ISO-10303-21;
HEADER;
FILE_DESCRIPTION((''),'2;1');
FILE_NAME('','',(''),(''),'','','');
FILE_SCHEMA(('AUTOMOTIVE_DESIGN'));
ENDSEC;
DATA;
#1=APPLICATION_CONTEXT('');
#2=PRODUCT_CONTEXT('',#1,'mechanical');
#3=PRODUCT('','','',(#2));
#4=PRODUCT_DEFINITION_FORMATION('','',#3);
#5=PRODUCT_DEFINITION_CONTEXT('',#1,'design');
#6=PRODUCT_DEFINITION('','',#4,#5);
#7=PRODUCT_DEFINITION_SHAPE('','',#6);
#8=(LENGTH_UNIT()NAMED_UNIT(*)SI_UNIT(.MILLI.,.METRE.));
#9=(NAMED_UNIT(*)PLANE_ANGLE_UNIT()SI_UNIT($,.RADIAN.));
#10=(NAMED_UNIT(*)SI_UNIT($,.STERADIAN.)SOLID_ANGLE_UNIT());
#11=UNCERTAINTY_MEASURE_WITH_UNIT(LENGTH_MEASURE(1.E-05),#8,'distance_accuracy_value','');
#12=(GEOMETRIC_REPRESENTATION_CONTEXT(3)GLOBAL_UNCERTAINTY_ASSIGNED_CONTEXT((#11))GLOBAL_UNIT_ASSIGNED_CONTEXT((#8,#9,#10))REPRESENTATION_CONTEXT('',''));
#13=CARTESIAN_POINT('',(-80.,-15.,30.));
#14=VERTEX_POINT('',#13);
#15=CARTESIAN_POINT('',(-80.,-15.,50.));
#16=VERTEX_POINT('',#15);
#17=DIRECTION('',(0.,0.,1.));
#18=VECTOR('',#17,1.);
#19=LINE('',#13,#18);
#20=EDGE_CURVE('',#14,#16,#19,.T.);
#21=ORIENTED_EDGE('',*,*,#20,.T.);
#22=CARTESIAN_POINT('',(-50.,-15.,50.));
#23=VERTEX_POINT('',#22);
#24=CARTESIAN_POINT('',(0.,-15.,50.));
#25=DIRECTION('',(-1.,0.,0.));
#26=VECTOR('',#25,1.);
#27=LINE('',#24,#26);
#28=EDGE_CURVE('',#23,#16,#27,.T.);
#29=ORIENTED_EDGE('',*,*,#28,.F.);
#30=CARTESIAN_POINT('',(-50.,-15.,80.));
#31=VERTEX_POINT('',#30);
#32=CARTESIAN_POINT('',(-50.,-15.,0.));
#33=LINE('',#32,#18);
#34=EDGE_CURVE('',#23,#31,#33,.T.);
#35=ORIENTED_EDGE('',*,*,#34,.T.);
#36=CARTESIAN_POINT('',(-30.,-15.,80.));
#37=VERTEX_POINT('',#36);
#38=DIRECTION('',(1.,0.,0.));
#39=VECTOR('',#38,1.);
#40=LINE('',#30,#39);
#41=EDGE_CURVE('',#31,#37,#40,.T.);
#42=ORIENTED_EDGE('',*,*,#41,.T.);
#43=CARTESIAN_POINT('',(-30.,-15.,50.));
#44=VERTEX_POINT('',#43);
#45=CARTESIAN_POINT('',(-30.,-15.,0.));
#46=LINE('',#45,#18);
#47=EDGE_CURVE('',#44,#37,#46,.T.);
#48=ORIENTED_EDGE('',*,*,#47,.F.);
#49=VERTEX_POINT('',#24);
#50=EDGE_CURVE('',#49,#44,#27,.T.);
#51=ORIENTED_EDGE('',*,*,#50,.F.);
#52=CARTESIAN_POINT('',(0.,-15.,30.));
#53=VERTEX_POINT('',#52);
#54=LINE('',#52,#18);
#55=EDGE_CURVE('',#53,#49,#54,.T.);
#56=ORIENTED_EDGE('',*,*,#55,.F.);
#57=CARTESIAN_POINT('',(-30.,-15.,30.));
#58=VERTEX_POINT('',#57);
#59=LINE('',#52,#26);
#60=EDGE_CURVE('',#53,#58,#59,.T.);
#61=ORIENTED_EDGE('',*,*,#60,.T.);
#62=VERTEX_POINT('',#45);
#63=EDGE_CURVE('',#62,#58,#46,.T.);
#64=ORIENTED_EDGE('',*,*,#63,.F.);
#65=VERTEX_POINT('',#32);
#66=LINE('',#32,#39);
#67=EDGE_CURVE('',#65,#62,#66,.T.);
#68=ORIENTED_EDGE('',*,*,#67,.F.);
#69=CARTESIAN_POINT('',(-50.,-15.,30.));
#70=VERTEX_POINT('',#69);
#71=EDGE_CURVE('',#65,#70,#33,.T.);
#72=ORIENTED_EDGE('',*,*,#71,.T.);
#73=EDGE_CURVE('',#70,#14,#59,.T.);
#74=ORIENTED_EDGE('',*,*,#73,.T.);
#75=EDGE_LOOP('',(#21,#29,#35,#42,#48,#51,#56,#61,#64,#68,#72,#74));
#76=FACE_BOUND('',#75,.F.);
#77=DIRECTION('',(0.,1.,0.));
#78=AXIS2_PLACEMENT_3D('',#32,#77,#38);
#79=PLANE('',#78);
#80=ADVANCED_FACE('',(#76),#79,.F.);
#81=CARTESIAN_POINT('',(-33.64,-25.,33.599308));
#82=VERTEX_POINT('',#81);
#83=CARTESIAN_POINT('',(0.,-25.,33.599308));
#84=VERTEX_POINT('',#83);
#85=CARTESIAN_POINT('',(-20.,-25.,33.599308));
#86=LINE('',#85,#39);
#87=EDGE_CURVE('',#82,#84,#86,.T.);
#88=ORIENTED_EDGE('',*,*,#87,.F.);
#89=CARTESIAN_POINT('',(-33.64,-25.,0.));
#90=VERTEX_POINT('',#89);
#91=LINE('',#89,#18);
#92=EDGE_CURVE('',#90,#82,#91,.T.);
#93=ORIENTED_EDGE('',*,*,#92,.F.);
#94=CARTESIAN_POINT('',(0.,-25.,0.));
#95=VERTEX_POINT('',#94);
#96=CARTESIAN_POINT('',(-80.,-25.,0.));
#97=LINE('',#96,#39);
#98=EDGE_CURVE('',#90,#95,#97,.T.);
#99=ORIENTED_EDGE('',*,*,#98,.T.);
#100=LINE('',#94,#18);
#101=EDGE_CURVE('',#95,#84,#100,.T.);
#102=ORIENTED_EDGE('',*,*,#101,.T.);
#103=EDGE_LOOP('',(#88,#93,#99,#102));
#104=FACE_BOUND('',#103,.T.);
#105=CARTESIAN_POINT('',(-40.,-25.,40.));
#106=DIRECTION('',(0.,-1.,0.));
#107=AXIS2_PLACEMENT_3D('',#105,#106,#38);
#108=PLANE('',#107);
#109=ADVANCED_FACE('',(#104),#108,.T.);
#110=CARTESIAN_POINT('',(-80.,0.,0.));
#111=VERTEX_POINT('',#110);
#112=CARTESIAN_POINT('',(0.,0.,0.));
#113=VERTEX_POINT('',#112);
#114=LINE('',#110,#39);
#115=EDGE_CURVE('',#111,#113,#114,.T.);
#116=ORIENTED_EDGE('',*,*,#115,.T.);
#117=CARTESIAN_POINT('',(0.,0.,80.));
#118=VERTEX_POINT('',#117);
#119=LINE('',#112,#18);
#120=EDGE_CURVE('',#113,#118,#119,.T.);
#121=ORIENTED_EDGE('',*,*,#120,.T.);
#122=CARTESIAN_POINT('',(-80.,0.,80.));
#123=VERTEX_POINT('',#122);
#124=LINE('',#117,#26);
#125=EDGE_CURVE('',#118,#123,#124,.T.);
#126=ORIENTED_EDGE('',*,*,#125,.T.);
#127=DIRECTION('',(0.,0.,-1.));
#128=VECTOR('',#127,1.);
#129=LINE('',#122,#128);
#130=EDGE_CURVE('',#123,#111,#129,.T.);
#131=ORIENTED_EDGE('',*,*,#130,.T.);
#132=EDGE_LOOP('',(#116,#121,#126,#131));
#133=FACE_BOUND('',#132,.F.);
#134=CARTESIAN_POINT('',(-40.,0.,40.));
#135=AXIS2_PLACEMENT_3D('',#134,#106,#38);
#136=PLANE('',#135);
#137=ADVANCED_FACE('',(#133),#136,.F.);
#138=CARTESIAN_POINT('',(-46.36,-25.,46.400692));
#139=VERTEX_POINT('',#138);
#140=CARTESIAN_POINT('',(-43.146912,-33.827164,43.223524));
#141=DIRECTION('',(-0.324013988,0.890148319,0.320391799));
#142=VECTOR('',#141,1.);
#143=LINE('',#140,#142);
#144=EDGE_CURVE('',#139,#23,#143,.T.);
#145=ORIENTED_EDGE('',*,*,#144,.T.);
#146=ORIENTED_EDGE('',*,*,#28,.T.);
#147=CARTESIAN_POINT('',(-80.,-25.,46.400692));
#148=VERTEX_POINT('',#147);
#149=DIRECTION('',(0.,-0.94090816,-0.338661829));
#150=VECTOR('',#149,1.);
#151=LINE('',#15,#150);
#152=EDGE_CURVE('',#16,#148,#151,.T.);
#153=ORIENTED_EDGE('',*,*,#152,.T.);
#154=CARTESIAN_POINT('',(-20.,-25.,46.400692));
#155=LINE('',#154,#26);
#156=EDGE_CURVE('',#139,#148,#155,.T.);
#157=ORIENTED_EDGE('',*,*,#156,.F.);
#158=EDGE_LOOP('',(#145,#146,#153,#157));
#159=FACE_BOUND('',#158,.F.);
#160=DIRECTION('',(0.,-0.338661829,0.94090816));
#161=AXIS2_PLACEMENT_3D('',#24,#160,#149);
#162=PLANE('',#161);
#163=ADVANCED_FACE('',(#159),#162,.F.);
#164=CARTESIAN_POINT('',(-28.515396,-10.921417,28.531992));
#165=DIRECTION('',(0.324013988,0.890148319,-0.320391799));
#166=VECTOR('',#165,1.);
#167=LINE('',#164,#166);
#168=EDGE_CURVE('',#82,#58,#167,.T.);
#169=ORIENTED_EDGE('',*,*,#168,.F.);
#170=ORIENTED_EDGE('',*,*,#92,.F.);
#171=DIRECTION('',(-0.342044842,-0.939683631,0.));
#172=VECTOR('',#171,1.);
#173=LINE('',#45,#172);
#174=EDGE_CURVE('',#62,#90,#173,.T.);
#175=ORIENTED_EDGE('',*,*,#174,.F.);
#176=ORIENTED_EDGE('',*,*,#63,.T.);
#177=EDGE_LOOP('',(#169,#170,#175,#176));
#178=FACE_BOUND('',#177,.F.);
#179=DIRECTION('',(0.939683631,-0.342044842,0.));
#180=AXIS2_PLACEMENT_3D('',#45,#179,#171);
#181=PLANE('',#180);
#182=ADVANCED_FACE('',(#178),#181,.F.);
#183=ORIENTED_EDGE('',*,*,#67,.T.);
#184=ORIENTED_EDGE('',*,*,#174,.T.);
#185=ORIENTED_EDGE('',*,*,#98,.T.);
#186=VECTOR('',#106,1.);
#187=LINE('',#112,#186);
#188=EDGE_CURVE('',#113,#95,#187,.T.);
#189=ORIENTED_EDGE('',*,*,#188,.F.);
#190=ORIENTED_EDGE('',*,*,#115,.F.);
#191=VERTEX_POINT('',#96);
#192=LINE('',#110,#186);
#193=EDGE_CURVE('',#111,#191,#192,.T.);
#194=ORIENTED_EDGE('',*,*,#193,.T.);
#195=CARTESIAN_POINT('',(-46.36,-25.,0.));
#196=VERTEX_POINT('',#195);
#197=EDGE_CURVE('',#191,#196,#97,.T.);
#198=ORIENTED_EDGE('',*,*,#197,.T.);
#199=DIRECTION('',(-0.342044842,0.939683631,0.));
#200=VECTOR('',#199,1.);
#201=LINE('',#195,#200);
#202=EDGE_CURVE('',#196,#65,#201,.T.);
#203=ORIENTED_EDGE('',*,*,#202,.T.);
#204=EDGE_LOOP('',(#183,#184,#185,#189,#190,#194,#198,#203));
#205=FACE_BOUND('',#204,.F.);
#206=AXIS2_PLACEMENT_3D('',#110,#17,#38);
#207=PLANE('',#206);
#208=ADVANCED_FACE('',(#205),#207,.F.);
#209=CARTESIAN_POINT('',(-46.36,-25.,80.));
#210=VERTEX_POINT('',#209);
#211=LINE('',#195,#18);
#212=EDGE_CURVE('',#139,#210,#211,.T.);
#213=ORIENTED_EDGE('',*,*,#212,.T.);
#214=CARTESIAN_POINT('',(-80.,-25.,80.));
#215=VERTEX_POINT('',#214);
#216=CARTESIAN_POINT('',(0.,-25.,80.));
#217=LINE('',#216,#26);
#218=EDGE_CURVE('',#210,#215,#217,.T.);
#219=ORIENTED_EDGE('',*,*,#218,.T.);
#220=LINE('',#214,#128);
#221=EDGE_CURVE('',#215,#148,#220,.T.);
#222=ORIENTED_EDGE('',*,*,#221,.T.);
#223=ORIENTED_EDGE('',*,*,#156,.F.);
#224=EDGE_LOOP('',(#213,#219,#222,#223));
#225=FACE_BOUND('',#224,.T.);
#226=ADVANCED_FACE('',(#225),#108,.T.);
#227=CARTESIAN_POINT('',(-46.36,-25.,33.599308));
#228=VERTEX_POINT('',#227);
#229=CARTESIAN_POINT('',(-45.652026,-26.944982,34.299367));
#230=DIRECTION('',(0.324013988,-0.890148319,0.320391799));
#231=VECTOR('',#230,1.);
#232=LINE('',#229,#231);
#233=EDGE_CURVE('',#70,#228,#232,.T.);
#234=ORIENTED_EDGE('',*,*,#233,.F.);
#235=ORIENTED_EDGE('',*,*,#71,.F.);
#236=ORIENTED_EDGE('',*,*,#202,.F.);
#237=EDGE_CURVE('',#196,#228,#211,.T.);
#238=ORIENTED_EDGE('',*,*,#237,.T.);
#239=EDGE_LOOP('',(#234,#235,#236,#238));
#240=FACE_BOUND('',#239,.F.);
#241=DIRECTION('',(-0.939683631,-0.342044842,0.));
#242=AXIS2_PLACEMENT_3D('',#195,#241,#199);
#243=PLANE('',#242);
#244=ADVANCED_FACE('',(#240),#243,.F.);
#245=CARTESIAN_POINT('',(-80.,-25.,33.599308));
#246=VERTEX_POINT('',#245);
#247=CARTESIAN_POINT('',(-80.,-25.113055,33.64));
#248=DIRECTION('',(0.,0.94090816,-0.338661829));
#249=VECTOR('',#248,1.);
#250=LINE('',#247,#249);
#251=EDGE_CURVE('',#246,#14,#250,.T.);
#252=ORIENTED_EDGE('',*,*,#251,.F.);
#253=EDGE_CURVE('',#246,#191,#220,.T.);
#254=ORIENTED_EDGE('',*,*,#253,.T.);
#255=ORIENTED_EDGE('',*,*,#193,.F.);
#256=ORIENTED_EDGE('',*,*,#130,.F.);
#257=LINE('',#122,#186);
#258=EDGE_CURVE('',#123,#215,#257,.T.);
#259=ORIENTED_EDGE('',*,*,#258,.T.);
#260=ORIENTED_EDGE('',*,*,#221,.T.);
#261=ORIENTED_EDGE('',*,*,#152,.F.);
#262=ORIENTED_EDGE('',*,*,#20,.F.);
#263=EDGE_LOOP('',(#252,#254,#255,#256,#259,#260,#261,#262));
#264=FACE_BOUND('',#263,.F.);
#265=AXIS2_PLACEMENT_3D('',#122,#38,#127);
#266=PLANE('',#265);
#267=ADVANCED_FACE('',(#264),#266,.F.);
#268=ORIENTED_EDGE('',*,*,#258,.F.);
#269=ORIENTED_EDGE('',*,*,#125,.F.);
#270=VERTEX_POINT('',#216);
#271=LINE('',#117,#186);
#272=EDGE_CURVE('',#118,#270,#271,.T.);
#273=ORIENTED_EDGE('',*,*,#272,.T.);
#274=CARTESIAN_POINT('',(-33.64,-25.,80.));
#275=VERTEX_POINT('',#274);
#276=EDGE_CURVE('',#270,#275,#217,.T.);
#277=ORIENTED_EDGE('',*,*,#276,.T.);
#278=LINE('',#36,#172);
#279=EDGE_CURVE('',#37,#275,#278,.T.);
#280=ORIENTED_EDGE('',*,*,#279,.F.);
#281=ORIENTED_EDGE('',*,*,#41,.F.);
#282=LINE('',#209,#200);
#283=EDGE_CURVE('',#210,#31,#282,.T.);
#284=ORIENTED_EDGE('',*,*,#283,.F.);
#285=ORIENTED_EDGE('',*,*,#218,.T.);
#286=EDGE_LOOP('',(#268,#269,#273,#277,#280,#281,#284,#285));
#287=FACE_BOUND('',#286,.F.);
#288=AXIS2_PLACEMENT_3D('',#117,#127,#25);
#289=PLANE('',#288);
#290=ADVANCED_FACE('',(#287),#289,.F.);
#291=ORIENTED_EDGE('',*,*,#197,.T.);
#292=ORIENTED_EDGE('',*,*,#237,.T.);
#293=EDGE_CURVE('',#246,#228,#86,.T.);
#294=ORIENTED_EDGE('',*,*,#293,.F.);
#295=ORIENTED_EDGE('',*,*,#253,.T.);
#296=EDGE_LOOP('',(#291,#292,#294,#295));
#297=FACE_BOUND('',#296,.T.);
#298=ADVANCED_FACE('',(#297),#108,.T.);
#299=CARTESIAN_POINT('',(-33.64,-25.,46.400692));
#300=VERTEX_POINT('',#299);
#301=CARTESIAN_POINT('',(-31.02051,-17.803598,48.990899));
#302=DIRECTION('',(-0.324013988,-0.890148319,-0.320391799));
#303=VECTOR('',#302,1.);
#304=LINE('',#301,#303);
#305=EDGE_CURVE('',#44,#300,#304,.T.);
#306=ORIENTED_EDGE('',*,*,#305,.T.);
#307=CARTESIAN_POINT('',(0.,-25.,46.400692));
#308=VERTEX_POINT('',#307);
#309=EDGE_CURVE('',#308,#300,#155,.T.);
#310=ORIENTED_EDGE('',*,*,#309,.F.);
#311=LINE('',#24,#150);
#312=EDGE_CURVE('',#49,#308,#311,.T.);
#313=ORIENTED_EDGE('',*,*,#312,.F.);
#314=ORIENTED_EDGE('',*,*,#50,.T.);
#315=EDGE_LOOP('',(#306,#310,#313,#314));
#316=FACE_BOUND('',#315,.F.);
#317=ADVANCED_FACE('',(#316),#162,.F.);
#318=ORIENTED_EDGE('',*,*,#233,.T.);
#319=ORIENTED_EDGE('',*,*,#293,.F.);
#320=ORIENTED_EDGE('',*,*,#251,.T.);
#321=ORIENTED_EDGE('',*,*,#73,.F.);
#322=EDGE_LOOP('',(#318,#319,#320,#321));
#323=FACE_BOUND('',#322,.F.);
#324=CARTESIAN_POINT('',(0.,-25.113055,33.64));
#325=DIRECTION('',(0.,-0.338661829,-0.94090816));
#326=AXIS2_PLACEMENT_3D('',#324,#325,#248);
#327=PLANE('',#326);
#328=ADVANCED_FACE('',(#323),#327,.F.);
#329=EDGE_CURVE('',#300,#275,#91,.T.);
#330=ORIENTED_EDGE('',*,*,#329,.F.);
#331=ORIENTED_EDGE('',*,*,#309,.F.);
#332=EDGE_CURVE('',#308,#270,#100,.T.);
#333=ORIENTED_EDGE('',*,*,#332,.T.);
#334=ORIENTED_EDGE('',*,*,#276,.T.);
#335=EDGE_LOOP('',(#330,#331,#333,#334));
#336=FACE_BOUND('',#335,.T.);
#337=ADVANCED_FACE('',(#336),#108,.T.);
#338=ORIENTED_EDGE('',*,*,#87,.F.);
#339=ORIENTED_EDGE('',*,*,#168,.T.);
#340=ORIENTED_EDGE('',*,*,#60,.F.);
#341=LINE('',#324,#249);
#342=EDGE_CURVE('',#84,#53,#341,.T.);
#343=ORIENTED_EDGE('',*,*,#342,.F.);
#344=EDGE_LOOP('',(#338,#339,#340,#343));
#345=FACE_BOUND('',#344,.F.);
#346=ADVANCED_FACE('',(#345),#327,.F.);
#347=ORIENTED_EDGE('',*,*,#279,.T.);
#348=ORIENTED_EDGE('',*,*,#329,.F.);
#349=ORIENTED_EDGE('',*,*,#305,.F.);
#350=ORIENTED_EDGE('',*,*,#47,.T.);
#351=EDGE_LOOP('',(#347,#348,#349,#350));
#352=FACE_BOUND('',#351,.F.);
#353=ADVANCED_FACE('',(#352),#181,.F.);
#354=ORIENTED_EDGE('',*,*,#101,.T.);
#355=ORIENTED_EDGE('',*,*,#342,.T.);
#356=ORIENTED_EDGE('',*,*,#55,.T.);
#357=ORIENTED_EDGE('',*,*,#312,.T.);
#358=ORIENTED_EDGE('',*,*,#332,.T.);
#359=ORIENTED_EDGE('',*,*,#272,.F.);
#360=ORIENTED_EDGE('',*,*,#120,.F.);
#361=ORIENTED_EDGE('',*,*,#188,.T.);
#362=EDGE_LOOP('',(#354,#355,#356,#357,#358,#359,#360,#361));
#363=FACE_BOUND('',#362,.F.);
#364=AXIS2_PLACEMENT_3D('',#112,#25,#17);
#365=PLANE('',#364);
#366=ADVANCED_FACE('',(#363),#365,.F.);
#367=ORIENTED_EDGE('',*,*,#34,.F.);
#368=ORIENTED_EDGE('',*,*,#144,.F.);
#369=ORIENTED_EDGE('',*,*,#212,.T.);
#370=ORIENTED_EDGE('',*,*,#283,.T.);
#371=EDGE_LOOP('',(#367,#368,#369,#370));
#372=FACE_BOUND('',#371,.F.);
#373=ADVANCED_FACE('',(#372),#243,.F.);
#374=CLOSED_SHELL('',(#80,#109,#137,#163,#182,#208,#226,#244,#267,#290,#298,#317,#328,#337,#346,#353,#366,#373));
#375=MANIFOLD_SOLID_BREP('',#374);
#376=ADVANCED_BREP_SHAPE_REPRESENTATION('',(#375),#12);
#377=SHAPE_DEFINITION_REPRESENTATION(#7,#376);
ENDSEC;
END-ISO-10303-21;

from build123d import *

# Parameters (mm, degrees)
F1_DEPTH = 25
F3_DEPTH = 80
F5_DEPTH = 80


with BuildPart() as f1:
    # F0 (on Front) → F1 (new body)
    with BuildSketch(Plane.XZ):
        Polygon((-80, 0), (0, 0), (0, 33.64), (0, 80), (-80, 80), align=None)
    extrude(amount=F1_DEPTH)

    # F2 (on face) → F3 (cut)
    with BuildSketch(Plane(origin=(0, 0, 0), x_dir=(1, 0, 0), z_dir=(0, 0, -1))):
        Polygon((-33.64, 25), (-46.36, 25), (-50, 15), (-30, 15), align=None)
    extrude(amount=-F3_DEPTH, mode=Mode.SUBTRACT)

    # F4 (on Right) → F5 (cut)
    with BuildSketch(Plane.YZ):
        Polygon((-25.113055, 33.64), (-15, 30), (-15, 50), (-25.113055, 46.36), align=None)
    extrude(amount=-F5_DEPTH, mode=Mode.SUBTRACT)


solid = f1.part
